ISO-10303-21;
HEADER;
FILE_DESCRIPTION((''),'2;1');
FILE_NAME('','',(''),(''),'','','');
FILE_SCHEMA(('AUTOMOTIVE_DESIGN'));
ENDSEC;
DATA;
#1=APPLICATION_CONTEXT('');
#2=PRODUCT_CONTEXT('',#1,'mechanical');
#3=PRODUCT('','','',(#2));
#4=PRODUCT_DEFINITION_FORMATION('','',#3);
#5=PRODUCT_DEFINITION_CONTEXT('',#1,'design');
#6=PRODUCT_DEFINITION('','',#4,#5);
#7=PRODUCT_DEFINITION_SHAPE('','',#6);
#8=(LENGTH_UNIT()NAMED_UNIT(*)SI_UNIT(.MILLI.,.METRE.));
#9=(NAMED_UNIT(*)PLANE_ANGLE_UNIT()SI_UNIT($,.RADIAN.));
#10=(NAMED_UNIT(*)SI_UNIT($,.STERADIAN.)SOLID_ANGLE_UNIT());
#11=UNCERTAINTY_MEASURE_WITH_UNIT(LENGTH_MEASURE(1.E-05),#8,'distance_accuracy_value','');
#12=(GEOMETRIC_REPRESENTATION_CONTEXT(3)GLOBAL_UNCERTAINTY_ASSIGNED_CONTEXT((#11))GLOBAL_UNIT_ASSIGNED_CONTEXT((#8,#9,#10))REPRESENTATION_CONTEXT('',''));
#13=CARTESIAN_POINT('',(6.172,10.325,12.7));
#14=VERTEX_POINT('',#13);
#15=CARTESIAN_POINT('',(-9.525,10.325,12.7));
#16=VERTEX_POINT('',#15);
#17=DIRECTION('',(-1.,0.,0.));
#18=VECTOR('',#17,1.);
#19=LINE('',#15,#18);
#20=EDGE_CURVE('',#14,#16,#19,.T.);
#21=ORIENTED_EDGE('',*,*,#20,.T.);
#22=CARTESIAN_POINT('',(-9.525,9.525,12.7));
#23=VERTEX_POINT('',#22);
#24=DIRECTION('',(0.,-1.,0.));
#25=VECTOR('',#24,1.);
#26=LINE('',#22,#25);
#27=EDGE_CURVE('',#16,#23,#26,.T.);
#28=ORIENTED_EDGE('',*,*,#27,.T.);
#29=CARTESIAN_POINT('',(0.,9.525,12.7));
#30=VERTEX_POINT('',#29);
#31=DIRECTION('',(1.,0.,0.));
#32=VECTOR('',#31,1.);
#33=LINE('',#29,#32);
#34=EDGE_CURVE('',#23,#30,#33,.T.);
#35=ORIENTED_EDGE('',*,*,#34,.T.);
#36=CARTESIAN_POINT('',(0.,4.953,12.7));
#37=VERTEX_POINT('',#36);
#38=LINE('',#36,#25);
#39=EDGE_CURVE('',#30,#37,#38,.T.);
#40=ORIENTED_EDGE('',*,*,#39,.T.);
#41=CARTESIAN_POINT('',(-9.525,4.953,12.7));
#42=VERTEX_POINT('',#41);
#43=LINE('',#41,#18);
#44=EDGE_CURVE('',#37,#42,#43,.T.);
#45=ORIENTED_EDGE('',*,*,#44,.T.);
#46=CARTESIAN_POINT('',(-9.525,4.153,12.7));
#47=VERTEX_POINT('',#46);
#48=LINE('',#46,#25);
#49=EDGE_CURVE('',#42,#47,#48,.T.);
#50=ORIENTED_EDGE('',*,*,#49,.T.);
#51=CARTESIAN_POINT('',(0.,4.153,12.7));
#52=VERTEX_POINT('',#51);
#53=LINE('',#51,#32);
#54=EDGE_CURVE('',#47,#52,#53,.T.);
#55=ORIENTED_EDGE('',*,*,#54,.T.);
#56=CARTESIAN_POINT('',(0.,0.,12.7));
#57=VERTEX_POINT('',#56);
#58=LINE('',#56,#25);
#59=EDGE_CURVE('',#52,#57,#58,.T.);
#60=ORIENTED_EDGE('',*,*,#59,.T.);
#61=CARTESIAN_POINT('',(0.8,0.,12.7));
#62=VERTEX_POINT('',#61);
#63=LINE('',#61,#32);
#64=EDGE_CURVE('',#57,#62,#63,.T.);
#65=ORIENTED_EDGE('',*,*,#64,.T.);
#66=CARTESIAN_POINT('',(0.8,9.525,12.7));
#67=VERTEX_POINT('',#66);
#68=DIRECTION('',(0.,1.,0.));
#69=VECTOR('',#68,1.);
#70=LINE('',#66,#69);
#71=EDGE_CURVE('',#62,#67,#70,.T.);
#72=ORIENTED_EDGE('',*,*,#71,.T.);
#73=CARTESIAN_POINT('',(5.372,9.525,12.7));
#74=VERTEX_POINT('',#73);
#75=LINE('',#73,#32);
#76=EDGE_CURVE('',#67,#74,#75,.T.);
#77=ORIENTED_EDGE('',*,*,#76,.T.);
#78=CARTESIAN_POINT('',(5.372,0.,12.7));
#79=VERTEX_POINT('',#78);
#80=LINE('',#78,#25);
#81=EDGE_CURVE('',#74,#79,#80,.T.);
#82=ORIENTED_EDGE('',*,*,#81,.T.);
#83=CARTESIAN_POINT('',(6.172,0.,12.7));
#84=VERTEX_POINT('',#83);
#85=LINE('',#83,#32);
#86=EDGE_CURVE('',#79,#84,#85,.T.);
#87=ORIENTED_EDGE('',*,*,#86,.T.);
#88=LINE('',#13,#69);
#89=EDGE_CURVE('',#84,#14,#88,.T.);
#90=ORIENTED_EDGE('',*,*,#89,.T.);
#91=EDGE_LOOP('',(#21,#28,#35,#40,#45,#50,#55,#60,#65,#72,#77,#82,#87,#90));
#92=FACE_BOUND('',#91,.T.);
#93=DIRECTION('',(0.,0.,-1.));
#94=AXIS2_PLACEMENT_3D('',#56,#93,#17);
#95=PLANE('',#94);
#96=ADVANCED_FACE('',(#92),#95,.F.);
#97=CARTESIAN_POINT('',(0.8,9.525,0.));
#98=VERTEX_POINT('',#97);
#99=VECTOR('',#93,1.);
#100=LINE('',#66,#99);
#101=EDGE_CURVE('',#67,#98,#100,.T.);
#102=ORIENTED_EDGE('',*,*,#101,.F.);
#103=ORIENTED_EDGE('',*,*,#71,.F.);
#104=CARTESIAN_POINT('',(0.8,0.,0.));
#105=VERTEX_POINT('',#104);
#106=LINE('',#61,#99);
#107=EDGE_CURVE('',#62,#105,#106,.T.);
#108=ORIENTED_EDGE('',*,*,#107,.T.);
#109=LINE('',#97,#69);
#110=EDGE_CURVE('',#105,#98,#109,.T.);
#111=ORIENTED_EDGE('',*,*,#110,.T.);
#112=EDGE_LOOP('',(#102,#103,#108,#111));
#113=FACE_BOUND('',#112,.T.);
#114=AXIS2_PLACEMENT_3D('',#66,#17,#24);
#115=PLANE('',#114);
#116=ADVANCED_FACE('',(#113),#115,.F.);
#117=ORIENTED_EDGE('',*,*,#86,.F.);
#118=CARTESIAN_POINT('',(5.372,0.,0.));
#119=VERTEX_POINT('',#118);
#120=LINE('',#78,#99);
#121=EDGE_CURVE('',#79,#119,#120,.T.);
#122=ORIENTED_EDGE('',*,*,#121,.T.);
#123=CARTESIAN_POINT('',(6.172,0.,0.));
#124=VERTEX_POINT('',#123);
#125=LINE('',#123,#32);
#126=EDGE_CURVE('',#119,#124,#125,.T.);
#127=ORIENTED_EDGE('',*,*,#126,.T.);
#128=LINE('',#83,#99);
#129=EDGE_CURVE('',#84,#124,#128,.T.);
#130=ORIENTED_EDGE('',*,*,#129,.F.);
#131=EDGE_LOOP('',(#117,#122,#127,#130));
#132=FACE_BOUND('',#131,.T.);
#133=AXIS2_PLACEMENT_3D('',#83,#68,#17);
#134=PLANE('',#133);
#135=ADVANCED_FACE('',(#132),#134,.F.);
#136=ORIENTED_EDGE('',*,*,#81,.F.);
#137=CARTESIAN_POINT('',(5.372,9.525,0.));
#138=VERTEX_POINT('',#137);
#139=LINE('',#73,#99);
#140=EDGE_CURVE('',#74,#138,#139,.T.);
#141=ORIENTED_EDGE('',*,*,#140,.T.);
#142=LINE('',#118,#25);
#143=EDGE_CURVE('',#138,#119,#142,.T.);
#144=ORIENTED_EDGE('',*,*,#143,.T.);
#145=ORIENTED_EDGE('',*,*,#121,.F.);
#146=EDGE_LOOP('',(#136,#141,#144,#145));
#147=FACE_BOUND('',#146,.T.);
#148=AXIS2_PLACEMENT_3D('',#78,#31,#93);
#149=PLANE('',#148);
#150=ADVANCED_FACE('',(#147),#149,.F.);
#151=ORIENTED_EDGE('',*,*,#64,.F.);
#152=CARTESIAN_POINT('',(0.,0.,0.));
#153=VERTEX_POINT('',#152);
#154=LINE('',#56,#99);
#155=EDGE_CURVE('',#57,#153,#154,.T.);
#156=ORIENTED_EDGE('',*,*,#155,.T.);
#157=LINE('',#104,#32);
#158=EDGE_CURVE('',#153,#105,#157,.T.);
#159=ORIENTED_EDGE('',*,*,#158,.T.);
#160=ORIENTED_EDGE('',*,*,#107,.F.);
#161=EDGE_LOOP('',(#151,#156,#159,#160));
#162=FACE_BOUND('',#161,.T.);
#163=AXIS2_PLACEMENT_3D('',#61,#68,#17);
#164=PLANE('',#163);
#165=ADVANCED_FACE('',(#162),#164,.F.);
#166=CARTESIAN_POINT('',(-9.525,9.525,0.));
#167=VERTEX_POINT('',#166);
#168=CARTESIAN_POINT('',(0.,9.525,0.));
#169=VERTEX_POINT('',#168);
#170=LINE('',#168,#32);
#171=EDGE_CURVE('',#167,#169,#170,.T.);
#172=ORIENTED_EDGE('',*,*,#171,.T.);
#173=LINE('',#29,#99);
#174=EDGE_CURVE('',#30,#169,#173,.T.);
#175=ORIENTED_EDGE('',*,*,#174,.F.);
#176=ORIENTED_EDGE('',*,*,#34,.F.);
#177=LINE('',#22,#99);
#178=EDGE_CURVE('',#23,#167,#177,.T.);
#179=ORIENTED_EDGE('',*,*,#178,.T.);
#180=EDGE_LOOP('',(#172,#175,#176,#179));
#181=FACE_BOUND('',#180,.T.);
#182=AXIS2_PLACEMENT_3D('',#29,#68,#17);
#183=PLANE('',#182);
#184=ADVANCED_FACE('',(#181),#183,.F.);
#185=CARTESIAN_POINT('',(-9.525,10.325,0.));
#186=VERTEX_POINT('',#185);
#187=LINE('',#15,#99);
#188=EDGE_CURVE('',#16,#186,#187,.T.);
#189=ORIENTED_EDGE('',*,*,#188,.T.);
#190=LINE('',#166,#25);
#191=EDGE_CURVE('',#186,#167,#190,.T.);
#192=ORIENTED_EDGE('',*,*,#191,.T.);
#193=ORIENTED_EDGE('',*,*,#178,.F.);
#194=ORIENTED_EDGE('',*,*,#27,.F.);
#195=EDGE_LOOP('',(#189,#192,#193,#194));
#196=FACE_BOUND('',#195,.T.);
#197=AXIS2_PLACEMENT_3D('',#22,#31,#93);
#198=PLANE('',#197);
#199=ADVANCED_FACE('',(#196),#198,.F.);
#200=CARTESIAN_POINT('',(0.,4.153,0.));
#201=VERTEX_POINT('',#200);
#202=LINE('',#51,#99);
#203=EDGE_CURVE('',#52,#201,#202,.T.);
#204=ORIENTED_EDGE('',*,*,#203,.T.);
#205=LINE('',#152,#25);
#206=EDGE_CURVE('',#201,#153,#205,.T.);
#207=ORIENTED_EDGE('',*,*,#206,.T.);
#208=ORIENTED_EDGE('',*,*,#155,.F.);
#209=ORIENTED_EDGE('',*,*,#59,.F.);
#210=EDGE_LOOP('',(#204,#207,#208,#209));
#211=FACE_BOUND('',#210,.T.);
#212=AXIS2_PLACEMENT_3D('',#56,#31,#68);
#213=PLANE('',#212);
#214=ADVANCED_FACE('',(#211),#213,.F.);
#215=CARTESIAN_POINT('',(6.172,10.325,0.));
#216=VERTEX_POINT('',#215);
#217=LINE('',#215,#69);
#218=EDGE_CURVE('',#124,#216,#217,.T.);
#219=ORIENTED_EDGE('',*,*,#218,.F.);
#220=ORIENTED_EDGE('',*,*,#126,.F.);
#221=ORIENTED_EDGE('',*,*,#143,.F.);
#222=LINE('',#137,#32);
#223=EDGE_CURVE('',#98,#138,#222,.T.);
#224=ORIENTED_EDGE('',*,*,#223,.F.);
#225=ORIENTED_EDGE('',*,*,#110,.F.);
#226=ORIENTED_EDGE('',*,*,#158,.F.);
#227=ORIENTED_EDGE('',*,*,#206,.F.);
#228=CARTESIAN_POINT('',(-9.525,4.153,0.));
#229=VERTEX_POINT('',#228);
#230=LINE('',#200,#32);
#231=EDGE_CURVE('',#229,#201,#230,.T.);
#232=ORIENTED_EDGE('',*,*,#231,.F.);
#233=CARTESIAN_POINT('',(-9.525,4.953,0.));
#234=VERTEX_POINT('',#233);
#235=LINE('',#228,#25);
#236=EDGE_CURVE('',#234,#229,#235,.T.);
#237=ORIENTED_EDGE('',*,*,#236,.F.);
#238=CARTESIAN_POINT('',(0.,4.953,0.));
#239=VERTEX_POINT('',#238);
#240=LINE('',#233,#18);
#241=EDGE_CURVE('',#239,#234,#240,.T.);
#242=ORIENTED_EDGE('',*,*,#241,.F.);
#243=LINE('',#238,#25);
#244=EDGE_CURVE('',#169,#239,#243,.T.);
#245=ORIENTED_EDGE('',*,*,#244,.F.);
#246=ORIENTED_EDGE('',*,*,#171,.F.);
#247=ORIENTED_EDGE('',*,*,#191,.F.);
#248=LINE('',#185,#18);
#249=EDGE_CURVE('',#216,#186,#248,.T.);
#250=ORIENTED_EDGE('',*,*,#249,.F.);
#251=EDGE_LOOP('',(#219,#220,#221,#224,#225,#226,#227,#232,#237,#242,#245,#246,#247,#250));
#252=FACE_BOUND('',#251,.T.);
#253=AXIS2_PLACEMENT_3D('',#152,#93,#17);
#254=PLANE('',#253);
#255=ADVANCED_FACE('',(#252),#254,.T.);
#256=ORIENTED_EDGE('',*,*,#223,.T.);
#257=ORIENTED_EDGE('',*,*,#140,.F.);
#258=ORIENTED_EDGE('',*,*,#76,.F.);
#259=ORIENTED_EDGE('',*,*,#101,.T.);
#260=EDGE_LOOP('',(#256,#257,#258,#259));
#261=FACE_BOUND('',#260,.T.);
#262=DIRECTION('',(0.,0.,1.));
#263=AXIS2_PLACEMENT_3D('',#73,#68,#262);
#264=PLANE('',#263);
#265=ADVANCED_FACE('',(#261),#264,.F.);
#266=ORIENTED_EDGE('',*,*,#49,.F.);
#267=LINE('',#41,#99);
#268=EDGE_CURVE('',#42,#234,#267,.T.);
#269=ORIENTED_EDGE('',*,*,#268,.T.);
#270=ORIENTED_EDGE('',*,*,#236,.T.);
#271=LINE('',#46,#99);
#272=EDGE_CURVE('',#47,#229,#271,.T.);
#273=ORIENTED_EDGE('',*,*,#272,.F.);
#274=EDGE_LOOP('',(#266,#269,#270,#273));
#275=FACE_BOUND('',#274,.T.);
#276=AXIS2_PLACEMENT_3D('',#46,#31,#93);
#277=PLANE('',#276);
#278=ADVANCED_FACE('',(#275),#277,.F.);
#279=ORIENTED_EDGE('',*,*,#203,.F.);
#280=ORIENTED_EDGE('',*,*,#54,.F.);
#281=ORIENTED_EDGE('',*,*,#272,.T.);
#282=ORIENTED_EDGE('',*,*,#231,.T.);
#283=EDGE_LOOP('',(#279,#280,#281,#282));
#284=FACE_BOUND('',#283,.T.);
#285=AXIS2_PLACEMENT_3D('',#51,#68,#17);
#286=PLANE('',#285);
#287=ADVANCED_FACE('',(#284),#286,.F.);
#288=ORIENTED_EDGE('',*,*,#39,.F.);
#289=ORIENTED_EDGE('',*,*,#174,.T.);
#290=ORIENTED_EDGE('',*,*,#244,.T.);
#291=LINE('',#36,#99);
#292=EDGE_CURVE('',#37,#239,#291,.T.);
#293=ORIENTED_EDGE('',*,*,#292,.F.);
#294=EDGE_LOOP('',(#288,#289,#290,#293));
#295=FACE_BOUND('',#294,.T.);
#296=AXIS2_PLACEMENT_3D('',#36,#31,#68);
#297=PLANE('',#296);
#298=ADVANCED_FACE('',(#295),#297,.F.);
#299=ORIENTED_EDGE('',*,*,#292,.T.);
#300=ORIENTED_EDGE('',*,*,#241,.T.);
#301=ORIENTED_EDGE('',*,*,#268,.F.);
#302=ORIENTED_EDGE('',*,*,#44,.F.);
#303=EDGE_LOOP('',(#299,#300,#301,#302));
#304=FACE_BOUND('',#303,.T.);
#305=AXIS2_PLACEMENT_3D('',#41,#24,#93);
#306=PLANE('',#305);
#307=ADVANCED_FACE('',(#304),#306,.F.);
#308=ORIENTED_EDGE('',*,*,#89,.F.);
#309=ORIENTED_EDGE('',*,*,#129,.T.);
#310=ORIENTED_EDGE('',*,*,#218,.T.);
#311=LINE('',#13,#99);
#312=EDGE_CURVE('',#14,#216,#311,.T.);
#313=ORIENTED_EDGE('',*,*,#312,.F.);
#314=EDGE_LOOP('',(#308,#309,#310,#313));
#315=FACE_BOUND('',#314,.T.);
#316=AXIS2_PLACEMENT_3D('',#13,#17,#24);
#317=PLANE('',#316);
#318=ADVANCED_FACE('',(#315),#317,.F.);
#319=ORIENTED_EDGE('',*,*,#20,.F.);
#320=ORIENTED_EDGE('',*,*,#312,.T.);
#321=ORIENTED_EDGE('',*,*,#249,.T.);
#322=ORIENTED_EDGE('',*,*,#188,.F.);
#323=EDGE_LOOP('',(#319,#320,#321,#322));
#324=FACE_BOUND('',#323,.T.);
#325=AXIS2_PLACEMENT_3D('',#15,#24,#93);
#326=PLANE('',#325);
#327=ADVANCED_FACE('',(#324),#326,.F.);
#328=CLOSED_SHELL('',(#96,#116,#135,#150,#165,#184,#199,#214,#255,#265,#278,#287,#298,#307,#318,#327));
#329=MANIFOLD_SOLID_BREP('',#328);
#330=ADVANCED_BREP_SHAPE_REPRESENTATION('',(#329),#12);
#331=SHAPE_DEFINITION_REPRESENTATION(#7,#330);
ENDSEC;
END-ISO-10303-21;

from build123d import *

# Parameters (mm, degrees)
BOSS_EXTRUDE1_DEPTH = 12.7


with BuildPart() as part:
    # Sketch2 → Boss-Extrude1 (new body)
    with BuildSketch(Plane.XY):
        Polygon((0, 0), (0, 4.153), (-9.525, 4.153), (-9.525, 4.953), (0, 4.953), (0, 9.525), (-9.525, 9.525), (-9.525, 10.325), (6.172, 10.325), (6.172, 0), (5.372, 0), (5.372, 9.525), (0.8, 9.525), (0.8, 0), align=None)
    extrude(amount=BOSS_EXTRUDE1_DEPTH)


solid = part.part
